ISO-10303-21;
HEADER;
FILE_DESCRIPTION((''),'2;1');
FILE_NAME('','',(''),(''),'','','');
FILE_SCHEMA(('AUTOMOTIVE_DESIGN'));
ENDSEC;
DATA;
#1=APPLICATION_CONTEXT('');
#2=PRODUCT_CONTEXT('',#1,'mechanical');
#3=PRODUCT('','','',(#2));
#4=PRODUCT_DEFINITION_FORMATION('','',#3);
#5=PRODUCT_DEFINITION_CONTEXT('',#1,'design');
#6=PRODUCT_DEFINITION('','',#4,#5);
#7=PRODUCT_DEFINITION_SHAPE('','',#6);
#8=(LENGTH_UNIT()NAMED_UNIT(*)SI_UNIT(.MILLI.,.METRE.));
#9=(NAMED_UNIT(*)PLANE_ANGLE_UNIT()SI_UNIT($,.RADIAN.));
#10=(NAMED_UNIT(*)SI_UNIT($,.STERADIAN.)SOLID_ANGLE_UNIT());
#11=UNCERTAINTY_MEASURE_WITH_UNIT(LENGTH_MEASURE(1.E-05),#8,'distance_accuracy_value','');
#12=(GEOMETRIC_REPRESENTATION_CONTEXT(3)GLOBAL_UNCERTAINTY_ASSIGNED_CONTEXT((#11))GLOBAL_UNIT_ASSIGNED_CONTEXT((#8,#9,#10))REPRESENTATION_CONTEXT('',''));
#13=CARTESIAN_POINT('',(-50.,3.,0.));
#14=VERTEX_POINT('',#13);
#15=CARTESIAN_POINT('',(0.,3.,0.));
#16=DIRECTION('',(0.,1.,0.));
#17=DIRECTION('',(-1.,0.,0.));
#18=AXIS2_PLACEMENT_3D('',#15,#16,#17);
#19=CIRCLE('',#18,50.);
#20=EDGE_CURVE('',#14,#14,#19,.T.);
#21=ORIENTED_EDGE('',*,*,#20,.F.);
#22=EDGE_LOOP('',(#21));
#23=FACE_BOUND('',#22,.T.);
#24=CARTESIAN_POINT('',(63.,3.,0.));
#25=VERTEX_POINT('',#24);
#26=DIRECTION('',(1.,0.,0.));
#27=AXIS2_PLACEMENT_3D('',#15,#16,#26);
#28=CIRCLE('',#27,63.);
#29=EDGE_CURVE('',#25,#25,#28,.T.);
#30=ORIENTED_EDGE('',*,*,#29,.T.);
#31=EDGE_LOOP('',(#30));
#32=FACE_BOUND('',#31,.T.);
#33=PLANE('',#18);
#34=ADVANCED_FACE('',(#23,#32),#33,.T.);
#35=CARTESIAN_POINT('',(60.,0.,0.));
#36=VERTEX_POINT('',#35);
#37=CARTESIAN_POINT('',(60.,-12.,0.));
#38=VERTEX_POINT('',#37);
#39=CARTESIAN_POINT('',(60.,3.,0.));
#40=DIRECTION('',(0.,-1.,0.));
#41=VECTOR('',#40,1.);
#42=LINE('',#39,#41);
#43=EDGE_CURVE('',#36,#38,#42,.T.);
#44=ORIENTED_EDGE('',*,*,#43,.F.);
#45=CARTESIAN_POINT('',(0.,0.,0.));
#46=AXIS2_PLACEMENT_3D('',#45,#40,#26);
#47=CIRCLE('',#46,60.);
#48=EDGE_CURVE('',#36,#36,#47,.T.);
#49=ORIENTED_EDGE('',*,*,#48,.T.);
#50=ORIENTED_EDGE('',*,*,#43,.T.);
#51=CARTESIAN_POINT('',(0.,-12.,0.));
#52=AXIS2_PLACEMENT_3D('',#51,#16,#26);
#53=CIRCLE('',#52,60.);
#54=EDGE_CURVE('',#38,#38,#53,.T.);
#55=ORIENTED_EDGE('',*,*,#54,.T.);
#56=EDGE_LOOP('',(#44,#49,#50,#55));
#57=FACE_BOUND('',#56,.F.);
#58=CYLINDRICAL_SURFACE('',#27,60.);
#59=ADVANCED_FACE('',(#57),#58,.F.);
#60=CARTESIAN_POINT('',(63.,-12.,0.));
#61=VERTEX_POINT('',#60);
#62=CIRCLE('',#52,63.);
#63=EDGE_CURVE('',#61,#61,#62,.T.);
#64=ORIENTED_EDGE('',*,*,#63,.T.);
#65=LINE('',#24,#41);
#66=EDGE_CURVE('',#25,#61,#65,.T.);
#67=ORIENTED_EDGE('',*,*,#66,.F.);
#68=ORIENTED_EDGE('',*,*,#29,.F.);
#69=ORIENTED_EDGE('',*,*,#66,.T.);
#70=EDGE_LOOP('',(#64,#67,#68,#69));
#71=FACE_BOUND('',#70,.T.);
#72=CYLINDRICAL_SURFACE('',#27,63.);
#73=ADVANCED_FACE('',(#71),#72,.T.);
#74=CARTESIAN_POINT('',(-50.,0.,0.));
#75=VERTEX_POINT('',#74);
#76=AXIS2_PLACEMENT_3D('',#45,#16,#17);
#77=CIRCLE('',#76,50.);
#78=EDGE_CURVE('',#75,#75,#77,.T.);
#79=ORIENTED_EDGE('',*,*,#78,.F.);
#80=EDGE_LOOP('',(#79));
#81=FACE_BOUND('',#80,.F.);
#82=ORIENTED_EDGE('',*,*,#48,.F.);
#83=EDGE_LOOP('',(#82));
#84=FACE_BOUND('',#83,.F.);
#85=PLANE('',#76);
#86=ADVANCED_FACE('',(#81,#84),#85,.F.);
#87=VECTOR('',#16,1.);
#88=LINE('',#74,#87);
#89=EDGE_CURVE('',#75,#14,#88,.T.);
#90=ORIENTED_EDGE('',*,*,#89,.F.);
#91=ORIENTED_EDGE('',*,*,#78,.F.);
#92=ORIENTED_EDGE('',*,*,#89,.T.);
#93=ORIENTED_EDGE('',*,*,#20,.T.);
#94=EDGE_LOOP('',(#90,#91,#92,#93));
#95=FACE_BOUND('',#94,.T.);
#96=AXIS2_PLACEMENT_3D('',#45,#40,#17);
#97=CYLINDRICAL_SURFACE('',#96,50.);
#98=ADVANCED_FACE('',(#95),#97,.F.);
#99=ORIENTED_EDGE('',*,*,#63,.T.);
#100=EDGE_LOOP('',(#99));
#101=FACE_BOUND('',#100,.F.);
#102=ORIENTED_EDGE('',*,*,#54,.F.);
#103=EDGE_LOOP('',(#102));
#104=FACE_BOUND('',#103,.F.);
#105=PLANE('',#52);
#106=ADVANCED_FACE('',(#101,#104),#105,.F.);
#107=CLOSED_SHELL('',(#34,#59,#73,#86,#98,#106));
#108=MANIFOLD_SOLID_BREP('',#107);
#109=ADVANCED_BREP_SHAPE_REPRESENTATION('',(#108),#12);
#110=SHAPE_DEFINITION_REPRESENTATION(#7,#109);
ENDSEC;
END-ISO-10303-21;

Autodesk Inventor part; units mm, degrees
ref_plane "YZ Plane" through (0, 0, 0) normal (1, 0, 0) x (0, 1, 0)
ref_plane "XZ Plane" through (0, 0, 0) normal (0, 1, 0) x (-1, 0, 0)
ref_plane "XY Plane" through (0, 0, 0) normal (0, 0, 1) x (1, 0, 0)
sketch "Sketch1" plane through (0, 0, 0) normal (0, 1, 0) x (-1, 0, 0)
  circle A0 centre (0, 0) radius 50
  circle A1 centre (0, 0) radius 60
  dimension "d0" = 100
  dimension "d1" = 120
extrude "Extrusion1" add sketch "Sketch1" along normal blind 3
sketch "Sketch2" plane through (0, 3, 0) normal (0, 1, 0) x (1, 0, 0)
  circle A0 centre (0, 0) radius 63
  circle A1 centre (0, 0) radius 60 projected
  dimension "d4" = 3
extrude "Extrusion2" add sketch "Sketch2" against normal blind 15
properties part number "Skirt"
